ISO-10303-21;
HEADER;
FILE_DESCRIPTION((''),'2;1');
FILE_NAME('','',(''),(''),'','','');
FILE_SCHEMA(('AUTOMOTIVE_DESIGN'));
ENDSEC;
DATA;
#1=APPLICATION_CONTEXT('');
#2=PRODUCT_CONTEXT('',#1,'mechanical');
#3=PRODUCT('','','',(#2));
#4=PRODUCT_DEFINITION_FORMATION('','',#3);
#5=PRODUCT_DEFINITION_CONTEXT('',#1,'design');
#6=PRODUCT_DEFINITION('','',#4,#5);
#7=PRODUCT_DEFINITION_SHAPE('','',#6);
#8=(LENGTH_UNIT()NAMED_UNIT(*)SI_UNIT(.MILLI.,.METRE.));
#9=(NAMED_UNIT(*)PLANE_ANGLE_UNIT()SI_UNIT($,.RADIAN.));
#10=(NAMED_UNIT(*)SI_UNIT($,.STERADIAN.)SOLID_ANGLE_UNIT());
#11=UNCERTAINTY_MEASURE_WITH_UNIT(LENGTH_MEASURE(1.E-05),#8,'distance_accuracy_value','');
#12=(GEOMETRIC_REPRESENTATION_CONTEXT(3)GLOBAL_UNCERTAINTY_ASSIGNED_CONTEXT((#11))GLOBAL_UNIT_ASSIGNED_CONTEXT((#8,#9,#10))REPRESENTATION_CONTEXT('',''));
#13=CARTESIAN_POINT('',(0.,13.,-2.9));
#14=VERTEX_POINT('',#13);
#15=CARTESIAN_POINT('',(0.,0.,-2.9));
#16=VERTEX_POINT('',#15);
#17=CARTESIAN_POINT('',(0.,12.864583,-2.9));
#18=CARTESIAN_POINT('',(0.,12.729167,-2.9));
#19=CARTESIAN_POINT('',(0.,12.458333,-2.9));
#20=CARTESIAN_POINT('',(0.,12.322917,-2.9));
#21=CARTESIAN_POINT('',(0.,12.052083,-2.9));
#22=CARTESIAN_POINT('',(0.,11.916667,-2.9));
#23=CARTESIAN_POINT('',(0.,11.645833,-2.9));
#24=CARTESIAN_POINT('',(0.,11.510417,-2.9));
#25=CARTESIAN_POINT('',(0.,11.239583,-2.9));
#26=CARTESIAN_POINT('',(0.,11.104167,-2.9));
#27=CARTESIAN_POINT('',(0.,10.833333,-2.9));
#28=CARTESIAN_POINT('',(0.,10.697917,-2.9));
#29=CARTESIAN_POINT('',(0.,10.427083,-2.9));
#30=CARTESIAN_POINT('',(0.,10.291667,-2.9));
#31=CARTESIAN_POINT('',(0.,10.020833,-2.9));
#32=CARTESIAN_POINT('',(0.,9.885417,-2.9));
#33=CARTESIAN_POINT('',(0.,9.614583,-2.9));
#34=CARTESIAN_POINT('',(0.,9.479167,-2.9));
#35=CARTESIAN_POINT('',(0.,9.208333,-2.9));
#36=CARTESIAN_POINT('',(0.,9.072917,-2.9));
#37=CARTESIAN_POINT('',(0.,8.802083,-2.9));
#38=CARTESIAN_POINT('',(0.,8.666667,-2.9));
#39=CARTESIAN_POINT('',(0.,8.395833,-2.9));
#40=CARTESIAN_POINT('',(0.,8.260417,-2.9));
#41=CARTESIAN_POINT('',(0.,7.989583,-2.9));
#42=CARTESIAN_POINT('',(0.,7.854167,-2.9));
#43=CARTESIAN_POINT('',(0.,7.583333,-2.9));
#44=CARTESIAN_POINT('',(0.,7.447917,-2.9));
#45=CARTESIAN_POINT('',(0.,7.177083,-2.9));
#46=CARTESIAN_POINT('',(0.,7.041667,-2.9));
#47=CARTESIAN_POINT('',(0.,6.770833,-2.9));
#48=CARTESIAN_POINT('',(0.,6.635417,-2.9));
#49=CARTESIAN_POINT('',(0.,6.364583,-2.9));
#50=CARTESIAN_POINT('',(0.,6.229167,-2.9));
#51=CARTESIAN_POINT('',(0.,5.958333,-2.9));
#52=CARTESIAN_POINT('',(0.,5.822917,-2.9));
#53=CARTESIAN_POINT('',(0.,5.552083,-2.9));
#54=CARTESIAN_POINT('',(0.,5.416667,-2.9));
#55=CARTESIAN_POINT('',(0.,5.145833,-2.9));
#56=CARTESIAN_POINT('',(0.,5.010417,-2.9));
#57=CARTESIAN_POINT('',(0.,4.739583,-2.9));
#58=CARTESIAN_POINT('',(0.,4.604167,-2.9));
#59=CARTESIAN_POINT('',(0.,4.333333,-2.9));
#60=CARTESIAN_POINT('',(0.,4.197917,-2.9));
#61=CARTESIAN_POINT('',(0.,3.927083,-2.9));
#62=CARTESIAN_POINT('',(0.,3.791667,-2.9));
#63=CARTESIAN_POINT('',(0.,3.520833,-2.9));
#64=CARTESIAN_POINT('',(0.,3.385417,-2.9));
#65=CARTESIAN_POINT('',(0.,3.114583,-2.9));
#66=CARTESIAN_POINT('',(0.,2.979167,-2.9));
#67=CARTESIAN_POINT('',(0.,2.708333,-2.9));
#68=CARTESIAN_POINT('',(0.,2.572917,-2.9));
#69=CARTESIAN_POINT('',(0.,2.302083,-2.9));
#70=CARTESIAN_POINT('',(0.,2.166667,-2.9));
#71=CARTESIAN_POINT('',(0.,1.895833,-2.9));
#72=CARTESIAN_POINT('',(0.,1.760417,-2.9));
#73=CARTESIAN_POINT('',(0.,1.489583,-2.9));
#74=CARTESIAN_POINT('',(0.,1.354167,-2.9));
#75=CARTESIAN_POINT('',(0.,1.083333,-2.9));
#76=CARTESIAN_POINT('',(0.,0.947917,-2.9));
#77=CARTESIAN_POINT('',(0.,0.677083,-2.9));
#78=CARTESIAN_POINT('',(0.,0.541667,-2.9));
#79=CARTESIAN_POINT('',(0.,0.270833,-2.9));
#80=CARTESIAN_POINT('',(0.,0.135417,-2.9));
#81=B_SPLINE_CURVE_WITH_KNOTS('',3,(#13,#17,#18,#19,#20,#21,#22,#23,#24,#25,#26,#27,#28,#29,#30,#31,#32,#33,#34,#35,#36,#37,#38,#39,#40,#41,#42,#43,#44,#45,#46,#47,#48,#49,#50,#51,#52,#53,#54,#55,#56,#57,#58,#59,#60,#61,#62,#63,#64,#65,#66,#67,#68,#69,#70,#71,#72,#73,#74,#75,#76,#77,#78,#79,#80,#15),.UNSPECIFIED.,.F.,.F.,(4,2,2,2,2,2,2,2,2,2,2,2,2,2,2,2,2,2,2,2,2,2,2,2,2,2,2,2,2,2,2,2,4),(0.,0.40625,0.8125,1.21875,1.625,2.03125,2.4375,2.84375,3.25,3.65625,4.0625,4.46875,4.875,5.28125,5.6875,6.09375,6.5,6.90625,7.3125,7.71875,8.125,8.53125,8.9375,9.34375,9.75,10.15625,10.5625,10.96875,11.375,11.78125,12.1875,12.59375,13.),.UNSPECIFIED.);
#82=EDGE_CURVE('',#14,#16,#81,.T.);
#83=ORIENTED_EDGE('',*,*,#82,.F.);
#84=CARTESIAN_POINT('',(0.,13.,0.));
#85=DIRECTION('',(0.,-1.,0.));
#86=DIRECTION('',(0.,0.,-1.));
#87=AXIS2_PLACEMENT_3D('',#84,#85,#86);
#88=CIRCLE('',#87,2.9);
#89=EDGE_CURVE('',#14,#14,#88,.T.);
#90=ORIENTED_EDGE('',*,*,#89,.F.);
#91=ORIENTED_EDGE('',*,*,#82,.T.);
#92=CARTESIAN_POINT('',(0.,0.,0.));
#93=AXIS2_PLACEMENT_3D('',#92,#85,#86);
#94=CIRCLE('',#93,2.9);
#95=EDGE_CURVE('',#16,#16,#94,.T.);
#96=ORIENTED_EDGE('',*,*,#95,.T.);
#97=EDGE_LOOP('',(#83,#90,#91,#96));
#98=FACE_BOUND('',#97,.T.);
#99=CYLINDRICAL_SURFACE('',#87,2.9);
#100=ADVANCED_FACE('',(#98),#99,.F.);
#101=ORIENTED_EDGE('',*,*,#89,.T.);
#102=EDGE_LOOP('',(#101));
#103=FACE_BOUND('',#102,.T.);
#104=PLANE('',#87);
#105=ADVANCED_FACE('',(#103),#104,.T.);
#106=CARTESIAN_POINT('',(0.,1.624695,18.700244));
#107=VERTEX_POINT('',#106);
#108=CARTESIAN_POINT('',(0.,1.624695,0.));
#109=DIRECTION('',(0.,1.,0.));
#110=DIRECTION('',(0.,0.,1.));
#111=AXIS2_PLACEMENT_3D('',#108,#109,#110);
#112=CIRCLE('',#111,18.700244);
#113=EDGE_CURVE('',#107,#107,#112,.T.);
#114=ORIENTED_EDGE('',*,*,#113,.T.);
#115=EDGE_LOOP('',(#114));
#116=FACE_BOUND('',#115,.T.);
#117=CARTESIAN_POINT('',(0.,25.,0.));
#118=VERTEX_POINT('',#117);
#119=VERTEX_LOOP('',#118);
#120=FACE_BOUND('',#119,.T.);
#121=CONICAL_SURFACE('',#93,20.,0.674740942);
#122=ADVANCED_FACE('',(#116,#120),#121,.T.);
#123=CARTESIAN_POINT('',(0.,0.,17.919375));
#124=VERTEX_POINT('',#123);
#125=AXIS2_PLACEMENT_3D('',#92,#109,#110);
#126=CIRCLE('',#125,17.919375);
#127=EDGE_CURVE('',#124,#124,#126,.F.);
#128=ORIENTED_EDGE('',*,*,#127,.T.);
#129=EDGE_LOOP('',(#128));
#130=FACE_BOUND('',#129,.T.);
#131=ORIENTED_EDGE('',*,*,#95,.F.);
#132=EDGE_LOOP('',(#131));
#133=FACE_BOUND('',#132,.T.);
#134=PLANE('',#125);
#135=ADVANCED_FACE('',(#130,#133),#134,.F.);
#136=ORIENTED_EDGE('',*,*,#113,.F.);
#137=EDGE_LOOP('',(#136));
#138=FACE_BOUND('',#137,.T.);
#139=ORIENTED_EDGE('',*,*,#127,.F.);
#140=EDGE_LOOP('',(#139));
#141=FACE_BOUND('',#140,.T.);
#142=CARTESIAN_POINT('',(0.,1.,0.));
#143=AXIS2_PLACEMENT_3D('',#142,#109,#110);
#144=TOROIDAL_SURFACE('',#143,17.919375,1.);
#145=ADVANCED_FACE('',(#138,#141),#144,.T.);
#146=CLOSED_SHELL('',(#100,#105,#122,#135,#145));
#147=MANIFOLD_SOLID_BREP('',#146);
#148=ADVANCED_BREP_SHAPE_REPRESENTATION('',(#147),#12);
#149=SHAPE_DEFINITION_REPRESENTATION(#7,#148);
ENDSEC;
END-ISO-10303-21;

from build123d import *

# Parameters (mm, degrees)
SKETCH2_R          = 2.9
CUT_EXTRUDE1_DEPTH = 13
FILLET1_R          = 1


with BuildPart() as part:
    # Sketch1 → Revolve1 (revolve)
    with BuildSketch(Plane.XY, mode=Mode.PRIVATE) as revolve1_sk:
        Polygon((0, 0), (20, 0), (0, 25), align=None)
    revolve(revolve1_sk.sketch.rotate(Axis((0, 25, 0), (0, -1, 0)), 270), axis=Axis((0, 25, 0), (0, -1, 0)))

    # Sketch2 → Cut-Extrude1 (cut)
    with BuildSketch(Plane.XZ):
        with Locations(Location((0, 0, 0), (0, 0, 270))):
            Circle(SKETCH2_R)
    extrude(amount=-CUT_EXTRUDE1_DEPTH, mode=Mode.SUBTRACT)

    # Fillet1
    fillet1_edges = [part.edges().sort_by_distance(p)[0] for p in [
        (0, 0, 20),
    ]]
    fillet(fillet1_edges, radius=FILLET1_R)


solid = part.part
